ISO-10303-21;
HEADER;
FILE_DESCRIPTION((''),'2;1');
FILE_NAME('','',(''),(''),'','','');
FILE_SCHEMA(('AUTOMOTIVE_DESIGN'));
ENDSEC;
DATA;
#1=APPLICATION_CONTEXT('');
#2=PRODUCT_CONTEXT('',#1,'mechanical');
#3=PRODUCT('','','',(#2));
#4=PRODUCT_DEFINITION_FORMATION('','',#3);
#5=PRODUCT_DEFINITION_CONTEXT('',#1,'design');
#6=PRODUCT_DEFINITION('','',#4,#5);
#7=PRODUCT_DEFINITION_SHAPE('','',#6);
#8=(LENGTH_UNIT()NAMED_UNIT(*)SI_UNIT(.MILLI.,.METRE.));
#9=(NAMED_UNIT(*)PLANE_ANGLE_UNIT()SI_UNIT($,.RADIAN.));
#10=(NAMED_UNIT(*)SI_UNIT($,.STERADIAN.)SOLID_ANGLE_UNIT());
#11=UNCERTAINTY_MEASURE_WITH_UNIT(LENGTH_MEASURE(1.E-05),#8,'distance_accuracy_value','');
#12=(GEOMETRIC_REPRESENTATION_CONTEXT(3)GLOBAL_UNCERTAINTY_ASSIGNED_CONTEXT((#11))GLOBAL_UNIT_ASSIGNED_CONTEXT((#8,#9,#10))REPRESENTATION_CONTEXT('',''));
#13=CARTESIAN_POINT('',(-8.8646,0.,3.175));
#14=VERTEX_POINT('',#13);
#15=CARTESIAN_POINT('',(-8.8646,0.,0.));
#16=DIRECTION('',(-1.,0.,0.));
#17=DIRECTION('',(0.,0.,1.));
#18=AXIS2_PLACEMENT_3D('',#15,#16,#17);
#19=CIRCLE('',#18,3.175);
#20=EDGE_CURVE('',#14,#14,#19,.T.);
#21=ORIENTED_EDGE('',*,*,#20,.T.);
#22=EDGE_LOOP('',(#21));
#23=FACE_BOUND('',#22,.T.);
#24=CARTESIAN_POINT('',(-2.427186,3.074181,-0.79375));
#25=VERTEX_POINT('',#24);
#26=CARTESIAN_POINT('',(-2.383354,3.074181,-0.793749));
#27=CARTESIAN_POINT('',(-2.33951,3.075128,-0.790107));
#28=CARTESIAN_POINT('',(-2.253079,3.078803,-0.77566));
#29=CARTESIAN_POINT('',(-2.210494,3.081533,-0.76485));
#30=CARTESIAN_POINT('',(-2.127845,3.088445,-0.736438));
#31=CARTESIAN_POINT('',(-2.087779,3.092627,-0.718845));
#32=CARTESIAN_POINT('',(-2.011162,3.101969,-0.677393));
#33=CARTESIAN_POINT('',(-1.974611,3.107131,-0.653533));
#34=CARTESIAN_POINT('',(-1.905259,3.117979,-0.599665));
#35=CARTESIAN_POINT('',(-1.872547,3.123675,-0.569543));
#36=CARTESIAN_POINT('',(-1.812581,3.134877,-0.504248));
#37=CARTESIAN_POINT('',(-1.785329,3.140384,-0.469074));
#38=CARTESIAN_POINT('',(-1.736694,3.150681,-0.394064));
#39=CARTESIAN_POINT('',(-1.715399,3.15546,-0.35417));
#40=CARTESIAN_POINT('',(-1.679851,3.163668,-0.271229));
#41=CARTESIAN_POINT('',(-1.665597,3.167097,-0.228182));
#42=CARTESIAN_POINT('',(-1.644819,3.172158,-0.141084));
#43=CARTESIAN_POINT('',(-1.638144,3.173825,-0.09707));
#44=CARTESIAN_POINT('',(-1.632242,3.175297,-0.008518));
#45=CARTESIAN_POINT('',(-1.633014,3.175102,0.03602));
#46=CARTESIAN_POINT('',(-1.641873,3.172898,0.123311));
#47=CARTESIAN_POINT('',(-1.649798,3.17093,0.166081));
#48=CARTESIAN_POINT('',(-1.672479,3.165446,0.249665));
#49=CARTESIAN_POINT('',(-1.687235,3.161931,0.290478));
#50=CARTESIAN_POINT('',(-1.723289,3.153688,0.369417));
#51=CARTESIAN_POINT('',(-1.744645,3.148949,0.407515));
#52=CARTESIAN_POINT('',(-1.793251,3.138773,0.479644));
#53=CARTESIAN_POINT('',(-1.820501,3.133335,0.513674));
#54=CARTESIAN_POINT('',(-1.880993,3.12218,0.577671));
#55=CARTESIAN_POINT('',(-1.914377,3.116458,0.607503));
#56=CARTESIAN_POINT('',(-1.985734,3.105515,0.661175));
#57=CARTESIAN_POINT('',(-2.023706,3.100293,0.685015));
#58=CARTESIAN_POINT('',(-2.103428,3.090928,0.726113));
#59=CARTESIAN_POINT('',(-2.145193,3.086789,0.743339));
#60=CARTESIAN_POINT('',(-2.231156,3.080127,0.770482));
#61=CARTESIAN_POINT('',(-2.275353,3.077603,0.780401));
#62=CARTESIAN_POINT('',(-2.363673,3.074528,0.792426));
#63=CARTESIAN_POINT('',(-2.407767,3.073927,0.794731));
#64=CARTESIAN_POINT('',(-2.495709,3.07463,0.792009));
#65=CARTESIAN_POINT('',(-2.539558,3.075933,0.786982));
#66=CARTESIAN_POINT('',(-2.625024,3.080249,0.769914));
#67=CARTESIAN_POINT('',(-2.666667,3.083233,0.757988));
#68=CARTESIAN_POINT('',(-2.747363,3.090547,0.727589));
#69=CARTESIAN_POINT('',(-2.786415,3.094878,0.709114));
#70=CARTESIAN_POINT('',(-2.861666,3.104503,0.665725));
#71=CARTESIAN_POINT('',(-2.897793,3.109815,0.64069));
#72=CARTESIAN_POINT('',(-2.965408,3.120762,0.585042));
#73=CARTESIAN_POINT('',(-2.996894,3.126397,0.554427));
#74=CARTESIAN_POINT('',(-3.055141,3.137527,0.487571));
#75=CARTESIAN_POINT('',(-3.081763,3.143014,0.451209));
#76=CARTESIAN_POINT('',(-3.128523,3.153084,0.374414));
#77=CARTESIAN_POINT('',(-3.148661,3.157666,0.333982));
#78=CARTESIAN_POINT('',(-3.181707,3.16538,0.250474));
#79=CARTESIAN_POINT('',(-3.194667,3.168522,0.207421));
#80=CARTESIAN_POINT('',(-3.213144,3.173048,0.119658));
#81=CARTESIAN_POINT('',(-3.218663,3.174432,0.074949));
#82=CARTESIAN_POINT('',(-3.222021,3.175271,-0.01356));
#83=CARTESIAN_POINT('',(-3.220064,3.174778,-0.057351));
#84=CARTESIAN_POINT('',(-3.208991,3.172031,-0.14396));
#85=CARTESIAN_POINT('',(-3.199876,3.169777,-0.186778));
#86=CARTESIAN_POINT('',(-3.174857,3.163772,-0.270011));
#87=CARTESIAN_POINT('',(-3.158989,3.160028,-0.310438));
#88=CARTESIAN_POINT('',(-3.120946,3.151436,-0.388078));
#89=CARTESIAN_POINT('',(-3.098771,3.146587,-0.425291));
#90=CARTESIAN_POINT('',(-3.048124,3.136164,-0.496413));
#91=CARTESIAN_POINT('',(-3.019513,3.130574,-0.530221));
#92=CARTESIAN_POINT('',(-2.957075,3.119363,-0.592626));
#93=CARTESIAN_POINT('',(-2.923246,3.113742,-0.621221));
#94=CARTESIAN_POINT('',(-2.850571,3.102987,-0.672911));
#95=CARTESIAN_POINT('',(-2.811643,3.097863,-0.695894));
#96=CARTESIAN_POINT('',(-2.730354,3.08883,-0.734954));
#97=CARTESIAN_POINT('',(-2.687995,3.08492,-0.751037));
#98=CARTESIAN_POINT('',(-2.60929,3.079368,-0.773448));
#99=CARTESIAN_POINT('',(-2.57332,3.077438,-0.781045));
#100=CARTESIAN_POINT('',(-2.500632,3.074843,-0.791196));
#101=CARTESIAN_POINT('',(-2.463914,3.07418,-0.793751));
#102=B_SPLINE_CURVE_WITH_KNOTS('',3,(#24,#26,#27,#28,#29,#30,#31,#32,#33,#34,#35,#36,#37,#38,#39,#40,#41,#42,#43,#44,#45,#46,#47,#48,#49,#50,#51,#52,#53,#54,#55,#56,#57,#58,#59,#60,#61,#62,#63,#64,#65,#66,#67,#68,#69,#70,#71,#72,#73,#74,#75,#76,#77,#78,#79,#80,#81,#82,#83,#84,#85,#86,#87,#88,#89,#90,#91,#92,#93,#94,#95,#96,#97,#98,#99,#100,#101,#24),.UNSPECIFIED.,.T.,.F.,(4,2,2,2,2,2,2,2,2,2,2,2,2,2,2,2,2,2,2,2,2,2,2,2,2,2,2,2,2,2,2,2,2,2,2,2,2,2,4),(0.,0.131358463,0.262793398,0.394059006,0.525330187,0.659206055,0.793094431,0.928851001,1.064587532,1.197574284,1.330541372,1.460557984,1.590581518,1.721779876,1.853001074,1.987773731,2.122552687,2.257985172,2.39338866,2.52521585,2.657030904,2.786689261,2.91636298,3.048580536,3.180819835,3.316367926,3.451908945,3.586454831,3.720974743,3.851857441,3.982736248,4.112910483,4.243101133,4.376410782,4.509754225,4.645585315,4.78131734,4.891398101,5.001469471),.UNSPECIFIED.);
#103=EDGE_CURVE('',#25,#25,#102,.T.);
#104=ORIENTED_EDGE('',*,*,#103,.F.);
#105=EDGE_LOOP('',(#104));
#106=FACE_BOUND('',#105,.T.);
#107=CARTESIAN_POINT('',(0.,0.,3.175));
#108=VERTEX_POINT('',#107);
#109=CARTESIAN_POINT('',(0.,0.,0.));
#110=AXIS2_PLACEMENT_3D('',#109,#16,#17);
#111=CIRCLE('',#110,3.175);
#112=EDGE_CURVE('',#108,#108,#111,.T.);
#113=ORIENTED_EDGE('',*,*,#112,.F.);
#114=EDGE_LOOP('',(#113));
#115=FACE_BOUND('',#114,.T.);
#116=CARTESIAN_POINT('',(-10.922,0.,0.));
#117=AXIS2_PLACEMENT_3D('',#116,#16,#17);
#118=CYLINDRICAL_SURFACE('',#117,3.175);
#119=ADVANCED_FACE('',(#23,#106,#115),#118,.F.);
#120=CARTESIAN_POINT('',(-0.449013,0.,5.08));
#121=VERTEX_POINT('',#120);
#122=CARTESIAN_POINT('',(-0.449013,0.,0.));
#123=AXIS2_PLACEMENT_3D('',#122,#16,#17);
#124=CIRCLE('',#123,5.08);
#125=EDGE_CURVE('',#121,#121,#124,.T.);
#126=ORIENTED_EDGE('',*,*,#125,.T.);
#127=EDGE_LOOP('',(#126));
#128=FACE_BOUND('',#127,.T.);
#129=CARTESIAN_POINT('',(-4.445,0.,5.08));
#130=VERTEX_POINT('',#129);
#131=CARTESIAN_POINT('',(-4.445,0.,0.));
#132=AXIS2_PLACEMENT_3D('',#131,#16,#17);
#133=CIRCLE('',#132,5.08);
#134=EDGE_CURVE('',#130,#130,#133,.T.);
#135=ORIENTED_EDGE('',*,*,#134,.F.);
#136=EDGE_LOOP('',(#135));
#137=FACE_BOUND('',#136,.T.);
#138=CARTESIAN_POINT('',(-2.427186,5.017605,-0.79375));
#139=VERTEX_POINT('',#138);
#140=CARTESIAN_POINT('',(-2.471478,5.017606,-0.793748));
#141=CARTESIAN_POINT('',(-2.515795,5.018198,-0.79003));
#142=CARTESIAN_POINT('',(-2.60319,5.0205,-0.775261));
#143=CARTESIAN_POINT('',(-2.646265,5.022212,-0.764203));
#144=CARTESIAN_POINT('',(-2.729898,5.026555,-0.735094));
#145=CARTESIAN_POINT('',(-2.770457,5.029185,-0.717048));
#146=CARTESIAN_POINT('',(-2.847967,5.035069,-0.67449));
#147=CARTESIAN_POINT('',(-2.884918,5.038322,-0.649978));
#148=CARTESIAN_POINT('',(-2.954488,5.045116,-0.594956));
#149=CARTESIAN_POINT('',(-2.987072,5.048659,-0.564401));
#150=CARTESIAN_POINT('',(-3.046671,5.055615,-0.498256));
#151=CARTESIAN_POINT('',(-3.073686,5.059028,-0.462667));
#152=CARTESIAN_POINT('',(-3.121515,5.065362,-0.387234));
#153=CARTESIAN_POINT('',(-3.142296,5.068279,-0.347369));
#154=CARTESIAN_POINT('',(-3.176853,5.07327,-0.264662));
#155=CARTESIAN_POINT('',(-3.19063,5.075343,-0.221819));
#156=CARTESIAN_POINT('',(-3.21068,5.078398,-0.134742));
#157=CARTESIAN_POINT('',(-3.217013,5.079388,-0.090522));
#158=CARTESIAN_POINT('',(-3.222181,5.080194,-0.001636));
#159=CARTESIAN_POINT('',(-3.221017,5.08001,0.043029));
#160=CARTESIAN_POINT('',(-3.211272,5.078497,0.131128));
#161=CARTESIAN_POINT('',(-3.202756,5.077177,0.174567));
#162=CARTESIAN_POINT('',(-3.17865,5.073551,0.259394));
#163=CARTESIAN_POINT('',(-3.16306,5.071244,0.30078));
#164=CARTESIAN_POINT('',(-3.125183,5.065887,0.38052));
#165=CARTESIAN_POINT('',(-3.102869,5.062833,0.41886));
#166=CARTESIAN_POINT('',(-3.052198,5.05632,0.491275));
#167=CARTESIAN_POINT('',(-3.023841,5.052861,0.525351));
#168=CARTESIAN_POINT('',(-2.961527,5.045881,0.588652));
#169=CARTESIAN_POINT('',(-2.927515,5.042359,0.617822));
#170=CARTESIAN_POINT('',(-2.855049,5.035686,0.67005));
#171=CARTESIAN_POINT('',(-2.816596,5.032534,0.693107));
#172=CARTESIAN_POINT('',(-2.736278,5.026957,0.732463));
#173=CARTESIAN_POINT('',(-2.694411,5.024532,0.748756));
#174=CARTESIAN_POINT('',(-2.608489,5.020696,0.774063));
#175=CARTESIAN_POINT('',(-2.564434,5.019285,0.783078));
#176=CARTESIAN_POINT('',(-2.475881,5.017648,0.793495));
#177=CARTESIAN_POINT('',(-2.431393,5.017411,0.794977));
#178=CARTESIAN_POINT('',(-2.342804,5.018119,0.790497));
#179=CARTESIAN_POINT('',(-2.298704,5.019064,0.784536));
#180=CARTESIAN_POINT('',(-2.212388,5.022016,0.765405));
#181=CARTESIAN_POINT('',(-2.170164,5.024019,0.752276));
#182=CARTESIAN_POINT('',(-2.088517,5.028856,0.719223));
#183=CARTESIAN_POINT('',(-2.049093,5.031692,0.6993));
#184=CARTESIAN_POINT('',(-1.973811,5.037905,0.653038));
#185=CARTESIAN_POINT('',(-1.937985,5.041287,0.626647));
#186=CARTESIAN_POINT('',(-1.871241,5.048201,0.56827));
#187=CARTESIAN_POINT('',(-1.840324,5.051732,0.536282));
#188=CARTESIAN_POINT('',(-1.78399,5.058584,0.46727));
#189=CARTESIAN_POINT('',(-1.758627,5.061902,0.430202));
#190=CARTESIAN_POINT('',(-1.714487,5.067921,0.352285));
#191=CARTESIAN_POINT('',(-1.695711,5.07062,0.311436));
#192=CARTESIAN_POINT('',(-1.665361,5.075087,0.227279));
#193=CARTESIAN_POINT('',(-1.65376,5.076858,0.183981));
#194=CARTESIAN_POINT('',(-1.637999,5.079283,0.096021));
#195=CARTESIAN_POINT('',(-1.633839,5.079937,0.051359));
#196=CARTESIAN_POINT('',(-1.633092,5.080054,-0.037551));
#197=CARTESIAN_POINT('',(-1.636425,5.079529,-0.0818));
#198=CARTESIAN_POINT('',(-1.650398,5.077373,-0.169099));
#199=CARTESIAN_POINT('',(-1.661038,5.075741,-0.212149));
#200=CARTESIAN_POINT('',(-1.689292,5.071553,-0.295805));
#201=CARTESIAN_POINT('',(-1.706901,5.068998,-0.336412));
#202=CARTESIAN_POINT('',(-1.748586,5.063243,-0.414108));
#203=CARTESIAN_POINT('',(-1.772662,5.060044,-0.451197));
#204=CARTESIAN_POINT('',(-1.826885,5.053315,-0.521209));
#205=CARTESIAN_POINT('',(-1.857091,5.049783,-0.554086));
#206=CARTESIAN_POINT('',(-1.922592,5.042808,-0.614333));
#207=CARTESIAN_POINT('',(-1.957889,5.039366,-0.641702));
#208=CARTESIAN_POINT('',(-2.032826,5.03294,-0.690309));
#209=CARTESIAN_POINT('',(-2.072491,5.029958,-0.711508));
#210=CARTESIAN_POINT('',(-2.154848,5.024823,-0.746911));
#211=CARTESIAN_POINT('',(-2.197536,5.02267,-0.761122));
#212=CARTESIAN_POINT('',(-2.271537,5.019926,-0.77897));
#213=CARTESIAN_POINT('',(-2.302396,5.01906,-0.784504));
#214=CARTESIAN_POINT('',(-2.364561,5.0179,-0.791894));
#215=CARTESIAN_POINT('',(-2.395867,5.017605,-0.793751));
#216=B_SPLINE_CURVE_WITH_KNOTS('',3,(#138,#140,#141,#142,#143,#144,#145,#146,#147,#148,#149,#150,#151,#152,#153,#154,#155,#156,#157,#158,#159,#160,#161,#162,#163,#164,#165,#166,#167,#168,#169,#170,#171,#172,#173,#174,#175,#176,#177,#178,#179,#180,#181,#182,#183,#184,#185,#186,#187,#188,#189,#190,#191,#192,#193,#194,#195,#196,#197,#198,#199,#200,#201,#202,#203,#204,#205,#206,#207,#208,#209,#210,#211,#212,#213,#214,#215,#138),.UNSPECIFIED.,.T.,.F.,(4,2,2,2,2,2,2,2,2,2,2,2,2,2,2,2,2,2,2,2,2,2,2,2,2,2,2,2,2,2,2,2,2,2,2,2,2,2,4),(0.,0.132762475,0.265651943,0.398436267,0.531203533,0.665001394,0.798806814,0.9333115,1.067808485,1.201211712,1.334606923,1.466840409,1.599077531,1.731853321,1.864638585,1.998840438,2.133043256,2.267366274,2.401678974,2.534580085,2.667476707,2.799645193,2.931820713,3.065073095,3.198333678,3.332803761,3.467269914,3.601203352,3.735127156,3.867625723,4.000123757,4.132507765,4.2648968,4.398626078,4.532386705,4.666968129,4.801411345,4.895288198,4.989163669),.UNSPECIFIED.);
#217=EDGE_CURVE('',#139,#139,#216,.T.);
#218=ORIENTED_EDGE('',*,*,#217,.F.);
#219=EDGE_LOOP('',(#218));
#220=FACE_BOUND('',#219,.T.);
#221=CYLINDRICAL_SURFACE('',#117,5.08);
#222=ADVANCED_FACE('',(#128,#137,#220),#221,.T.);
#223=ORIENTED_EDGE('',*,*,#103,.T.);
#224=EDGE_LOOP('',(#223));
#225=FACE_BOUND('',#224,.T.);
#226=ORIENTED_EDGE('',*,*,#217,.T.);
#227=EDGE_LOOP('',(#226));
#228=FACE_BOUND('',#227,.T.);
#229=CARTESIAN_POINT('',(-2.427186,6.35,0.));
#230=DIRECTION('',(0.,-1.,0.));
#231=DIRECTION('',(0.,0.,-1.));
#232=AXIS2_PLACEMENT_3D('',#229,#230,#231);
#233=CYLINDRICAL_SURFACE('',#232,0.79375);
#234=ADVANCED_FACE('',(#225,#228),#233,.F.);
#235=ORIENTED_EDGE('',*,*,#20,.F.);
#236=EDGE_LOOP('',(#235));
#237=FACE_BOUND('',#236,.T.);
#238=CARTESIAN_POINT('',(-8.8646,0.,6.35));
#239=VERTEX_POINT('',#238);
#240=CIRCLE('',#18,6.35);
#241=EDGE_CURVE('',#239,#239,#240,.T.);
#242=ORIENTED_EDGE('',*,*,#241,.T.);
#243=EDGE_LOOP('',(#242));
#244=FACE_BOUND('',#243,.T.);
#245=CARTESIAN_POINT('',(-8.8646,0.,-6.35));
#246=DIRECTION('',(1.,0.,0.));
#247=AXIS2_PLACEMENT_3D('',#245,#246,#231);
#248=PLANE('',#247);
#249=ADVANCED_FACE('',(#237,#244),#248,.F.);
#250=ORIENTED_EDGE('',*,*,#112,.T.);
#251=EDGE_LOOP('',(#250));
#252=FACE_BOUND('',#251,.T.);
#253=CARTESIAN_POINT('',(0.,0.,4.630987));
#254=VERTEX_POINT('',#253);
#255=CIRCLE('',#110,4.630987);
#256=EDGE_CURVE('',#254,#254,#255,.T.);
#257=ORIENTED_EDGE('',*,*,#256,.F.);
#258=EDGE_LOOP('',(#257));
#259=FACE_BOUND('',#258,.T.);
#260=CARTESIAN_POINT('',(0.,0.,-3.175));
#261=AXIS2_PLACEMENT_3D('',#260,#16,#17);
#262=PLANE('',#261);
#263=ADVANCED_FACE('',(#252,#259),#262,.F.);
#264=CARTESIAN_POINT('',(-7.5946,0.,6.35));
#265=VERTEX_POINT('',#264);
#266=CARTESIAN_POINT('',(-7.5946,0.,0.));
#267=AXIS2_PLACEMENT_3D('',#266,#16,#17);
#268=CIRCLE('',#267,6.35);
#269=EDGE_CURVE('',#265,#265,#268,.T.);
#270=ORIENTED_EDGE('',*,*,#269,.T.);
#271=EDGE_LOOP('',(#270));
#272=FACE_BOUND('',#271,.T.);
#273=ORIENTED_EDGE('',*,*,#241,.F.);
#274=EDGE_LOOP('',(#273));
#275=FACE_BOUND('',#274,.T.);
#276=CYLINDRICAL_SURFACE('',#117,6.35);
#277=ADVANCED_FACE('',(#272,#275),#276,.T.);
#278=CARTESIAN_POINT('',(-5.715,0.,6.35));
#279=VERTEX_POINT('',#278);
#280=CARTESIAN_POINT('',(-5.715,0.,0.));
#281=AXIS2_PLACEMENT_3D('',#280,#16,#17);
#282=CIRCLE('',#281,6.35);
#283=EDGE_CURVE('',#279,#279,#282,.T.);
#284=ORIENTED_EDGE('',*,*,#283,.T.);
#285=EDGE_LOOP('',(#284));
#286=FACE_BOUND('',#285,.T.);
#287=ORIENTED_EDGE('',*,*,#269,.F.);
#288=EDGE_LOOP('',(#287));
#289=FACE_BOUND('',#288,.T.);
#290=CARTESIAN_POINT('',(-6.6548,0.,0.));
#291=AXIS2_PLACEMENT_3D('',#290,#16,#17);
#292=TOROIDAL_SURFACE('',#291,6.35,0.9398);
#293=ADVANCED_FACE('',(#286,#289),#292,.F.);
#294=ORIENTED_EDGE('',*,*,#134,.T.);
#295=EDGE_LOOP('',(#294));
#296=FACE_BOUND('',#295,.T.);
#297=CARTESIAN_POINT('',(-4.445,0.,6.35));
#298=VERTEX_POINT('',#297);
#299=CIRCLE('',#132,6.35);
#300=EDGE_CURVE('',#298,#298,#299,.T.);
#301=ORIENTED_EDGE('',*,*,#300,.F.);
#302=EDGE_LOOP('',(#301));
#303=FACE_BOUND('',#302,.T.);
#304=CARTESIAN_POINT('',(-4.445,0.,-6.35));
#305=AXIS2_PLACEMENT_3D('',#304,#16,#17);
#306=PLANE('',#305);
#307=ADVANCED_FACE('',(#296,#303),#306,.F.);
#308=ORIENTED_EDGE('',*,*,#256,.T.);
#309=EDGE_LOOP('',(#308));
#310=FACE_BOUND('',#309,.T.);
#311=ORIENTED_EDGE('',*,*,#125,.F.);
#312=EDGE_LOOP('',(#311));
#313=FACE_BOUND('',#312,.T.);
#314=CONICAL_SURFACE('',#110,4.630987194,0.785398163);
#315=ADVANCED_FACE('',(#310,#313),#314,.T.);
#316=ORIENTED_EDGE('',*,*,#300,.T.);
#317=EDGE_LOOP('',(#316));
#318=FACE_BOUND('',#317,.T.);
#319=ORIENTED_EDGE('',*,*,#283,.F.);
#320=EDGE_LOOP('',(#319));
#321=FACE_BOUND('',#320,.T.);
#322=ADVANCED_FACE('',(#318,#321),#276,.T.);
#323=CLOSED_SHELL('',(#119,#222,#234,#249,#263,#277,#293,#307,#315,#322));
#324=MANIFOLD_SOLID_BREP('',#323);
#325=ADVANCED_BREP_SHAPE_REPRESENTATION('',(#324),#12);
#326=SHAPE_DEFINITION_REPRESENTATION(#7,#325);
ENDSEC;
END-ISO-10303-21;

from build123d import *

# Parameters (mm, degrees)
SKETCH2_R          = 0.79375
CUT_EXTRUDE1_DEPTH = 13.61848379


with BuildPart() as part:
    # Sketch1 → Revolve1 (revolve)
    with BuildSketch(Plane(origin=(0, 0, 0), x_dir=(1, 0, 0), z_dir=(0, 1, 0)), mode=Mode.PRIVATE) as revolve1_sk:
        with BuildLine():
            Line((-8.8646, 3.175), (0, 3.175))
            Line((0, 3.175), (0, 4.630987194))
            Line((0, 4.630987194), (-0.449012806, 5.08))
            Line((-0.449012806, 5.08), (-4.445, 5.08))
            Line((-4.445, 5.08), (-4.445, 6.35))
            Line((-4.445, 6.35), (-5.715, 6.35))
            ThreePointArc((-5.715, 6.35), (-6.6548, 5.4102), (-7.5946, 6.35))
            Line((-7.5946, 6.35), (-8.8646, 6.35))
            Line((-8.8646, 6.35), (-8.8646, 3.175))
        make_face()
    revolve(revolve1_sk.sketch.rotate(Axis((-10.922, 0, 0), (1, 0, 0)), 180), axis=Axis((-10.922, 0, 0), (1, 0, 0)))

    # Sketch2 → Cut-Extrude1 (cut, through all)
    with BuildSketch(Plane(origin=(0, 0, 0), x_dir=(1, 0, 0), z_dir=(0, 1, 0))):
        with Locations(Location((-2.427185556, 0, 0), (0, 0, 90))):
            Circle(SKETCH2_R)
    extrude(amount=CUT_EXTRUDE1_DEPTH, mode=Mode.SUBTRACT)


solid = part.part
